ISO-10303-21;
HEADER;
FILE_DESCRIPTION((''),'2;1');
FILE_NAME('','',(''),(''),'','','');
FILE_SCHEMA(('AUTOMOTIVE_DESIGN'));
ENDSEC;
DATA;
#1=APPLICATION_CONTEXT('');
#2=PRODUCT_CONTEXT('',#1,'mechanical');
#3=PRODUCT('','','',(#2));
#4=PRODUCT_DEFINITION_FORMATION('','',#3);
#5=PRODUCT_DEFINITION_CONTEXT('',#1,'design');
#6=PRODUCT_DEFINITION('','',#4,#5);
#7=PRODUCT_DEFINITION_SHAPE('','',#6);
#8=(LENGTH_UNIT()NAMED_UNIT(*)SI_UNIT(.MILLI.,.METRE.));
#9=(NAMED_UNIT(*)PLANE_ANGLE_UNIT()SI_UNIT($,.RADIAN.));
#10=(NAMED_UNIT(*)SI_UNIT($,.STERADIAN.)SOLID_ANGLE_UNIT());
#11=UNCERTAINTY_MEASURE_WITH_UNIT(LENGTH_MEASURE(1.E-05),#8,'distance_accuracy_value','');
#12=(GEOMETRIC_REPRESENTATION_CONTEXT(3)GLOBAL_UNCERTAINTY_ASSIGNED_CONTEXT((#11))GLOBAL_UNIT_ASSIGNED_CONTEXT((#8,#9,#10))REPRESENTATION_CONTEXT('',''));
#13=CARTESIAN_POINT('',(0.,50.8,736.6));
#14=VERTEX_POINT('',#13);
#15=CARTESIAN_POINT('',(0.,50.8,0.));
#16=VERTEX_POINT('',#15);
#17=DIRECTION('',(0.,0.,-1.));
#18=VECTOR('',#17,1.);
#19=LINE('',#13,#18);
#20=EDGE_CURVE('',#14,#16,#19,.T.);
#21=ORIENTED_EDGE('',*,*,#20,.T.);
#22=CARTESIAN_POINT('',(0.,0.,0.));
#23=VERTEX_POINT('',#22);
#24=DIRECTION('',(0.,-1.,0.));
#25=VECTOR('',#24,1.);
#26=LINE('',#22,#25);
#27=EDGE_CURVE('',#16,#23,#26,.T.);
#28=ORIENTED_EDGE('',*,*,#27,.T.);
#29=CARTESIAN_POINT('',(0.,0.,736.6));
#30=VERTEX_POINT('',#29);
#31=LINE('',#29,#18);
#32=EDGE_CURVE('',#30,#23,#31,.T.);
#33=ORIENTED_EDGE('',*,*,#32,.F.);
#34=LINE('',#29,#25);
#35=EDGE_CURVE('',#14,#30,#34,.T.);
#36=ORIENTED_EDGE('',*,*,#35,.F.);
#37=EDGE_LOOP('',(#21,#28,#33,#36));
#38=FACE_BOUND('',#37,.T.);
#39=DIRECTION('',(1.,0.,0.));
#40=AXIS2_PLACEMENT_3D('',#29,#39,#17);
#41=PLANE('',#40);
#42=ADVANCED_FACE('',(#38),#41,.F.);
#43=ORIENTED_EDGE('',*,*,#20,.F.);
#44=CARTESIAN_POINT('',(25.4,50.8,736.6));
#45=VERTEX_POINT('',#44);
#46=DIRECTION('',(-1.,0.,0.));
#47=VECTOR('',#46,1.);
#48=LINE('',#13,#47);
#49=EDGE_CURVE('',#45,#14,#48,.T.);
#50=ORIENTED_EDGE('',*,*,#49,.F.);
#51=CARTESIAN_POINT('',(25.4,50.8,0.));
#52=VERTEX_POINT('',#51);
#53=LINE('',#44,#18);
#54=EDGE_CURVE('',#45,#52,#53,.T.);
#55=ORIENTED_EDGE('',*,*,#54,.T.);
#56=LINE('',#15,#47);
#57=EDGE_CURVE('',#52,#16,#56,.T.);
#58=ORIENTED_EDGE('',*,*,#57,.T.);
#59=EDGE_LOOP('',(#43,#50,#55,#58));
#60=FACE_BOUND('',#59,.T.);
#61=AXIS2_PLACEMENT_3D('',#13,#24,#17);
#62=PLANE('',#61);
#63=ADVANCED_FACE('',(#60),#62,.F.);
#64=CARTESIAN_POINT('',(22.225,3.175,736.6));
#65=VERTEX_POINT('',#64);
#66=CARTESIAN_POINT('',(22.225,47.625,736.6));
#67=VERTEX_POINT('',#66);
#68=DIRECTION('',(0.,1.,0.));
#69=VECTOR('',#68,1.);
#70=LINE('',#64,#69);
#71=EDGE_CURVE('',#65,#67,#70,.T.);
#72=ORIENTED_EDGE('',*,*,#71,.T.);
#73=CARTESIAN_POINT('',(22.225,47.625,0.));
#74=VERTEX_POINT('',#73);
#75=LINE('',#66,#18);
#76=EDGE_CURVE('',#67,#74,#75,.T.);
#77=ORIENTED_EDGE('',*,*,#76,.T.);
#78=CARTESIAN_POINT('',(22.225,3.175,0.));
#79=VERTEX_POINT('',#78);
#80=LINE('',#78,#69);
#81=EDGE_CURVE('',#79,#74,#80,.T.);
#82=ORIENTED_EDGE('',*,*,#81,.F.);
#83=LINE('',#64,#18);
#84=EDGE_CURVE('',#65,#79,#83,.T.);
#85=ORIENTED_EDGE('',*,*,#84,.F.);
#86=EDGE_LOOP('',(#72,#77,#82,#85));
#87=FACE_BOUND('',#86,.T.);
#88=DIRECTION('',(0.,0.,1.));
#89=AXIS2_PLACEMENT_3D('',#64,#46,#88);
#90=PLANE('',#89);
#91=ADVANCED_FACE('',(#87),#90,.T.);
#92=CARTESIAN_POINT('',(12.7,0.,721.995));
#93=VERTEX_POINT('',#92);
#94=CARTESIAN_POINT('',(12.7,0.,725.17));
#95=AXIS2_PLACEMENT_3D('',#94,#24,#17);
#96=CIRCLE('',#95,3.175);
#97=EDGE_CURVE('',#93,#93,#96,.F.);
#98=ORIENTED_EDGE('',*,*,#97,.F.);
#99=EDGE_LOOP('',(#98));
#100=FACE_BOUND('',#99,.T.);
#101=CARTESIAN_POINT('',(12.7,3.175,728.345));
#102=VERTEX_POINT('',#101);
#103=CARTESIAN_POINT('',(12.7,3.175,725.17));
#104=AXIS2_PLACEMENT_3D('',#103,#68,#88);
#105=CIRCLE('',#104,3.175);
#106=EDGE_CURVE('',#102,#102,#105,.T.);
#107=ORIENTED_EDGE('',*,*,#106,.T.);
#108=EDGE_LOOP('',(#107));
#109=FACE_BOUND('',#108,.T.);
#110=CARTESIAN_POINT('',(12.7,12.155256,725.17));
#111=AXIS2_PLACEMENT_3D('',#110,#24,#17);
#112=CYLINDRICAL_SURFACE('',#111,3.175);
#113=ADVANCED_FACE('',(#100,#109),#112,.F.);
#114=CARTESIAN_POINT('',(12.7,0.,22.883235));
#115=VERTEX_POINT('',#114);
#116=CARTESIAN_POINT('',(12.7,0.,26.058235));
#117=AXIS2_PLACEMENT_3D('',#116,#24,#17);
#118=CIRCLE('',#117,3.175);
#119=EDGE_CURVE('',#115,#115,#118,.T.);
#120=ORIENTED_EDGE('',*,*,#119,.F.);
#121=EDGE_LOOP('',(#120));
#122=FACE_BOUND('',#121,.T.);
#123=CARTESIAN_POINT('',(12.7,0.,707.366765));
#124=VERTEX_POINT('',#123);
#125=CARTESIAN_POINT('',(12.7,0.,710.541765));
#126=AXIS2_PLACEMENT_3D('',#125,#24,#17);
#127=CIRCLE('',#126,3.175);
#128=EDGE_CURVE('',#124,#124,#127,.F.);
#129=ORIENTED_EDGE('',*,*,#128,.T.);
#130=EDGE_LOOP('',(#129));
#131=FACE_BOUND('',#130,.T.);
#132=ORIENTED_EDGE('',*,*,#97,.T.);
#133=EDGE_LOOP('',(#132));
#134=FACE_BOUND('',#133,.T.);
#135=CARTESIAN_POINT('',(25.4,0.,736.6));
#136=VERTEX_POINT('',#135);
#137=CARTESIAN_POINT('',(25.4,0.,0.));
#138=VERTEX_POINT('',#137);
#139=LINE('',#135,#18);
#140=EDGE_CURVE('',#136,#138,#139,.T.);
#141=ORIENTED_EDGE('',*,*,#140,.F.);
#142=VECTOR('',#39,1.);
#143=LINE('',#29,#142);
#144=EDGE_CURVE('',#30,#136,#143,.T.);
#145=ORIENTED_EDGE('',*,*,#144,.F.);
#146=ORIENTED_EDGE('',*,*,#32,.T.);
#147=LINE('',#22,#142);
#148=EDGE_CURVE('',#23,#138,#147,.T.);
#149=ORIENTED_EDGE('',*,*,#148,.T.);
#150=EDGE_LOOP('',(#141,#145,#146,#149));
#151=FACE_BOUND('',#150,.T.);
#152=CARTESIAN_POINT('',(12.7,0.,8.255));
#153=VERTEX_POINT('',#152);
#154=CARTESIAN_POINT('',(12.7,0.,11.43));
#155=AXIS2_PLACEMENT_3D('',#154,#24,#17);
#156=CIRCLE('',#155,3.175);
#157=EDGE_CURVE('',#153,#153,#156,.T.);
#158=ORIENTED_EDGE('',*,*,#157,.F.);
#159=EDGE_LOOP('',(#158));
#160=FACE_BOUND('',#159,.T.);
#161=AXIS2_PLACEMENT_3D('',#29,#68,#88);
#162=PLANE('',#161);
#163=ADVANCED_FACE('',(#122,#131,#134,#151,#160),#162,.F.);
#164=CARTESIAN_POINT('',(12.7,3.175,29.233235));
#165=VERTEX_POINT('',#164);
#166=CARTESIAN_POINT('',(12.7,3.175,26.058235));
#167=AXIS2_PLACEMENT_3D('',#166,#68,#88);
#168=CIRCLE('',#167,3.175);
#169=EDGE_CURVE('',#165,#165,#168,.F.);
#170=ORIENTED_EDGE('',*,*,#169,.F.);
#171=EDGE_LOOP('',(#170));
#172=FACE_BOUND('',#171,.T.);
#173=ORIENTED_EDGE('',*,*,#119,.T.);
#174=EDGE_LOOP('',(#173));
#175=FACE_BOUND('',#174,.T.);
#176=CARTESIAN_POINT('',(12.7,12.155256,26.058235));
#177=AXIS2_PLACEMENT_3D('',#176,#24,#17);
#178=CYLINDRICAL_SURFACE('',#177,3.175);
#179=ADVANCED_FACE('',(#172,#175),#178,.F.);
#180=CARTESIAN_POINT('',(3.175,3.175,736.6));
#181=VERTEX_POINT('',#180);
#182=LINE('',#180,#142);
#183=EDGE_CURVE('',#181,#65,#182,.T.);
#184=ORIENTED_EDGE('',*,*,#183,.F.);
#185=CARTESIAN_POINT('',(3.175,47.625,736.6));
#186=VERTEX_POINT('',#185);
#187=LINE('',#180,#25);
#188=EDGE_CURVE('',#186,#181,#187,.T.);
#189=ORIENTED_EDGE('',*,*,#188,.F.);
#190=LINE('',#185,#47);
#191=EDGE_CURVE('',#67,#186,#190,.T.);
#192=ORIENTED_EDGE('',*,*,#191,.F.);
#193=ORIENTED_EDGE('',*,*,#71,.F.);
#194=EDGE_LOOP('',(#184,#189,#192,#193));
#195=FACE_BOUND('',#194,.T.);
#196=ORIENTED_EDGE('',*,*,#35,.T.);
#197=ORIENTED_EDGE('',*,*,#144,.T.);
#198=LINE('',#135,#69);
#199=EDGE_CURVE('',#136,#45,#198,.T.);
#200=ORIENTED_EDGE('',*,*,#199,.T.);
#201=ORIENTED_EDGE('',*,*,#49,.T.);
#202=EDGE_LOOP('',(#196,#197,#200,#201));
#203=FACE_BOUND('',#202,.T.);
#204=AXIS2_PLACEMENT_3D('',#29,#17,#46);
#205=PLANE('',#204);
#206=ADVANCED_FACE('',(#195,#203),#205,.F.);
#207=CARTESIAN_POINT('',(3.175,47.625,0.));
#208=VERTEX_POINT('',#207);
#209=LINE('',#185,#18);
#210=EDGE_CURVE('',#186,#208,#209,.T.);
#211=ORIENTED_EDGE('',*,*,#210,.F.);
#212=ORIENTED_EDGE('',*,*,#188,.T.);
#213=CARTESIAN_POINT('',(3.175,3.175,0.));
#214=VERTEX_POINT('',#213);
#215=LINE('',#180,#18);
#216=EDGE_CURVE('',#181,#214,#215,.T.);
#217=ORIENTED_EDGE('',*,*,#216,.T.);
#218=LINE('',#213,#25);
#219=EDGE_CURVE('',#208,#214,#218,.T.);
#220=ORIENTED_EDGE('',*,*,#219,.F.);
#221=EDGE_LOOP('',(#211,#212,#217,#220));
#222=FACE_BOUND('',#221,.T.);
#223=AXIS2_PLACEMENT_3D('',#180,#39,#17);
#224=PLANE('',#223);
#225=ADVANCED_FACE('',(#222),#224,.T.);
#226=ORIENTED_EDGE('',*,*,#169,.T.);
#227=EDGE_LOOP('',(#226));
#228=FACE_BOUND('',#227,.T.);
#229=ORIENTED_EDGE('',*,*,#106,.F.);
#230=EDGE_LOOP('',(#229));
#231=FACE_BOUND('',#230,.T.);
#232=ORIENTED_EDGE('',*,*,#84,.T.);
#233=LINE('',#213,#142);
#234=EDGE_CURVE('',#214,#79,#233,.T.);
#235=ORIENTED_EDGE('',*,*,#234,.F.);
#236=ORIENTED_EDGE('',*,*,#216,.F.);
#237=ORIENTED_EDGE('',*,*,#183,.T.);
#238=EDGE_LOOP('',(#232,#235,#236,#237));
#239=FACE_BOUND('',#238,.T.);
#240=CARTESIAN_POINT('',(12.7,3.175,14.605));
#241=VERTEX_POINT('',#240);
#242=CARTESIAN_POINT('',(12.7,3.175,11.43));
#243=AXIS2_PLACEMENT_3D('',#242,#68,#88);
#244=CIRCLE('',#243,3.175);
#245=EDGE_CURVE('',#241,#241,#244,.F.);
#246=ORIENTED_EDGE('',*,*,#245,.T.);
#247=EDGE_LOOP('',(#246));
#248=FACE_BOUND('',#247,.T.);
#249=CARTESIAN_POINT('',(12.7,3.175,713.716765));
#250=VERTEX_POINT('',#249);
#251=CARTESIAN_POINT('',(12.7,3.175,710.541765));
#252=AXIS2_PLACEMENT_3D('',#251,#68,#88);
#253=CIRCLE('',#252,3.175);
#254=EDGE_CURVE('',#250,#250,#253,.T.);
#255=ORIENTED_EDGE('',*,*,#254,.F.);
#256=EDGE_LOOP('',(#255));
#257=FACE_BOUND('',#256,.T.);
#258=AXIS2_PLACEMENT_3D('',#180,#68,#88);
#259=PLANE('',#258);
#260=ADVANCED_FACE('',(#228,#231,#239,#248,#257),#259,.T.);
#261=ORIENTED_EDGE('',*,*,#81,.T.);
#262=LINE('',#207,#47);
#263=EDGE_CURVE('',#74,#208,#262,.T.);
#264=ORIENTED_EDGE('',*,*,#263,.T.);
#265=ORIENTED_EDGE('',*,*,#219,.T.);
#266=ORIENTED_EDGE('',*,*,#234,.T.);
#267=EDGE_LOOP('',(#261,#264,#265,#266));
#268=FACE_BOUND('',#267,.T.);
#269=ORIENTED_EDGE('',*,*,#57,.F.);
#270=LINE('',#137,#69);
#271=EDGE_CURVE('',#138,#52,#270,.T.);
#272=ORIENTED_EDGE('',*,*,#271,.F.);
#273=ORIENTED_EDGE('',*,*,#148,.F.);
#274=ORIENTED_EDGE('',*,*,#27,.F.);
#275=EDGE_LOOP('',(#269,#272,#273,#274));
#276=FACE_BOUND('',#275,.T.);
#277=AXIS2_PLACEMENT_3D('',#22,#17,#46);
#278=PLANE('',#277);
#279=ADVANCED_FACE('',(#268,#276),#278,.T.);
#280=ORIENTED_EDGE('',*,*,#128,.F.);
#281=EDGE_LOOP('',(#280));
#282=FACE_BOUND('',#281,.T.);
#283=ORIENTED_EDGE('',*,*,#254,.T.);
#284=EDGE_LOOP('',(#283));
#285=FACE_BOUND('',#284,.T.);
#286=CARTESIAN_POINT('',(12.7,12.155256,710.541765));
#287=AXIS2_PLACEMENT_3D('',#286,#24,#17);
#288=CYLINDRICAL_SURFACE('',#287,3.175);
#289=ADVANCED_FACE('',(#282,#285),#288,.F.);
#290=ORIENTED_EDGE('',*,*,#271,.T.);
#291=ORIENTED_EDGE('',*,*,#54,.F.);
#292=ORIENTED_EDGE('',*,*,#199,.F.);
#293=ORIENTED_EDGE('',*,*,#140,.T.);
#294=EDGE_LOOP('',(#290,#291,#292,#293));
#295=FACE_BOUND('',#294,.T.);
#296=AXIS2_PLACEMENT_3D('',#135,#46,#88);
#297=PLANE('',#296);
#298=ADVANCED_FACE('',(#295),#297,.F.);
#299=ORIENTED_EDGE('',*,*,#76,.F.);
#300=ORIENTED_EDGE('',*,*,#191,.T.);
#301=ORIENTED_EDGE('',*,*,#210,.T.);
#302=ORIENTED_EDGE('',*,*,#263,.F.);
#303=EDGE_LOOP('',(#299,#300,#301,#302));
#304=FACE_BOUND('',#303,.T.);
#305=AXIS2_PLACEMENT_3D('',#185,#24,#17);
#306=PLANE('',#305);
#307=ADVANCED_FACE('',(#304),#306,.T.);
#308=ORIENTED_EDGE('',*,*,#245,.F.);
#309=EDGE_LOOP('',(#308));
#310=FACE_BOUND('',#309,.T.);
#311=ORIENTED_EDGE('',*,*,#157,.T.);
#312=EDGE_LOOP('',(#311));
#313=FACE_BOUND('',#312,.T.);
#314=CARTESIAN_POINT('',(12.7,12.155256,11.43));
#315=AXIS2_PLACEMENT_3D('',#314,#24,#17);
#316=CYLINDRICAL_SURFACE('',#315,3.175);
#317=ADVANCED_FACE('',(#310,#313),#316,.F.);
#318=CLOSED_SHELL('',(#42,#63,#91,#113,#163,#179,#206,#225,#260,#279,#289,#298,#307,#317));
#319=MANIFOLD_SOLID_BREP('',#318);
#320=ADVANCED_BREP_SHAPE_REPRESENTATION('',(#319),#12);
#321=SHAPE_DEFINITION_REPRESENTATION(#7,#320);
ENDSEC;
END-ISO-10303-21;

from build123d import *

# Parameters (mm, degrees)
SKETCH1_W           = 25.4
SKETCH1_H           = 50.8
SKETCH1_W_2         = 19.05
SKETCH1_H_2         = 44.45
BOSS_EXTRUDE1_DEPTH = 736.6
SKETCH4_R           = 3.175
CUT_EXTRUDE1_DEPTH  = 3.175


with BuildPart() as part:
    # Sketch1 → Boss-Extrude1 (new body)
    with BuildSketch(Plane.XY):
        with Locations((12.7, 25.4)):
            Rectangle(SKETCH1_W, SKETCH1_H)
        with Locations((12.7, 25.4)):
            Rectangle(SKETCH1_W_2, SKETCH1_H_2, mode=Mode.SUBTRACT)
    extrude(amount=BOSS_EXTRUDE1_DEPTH)

    # Sketch4 → Cut-Extrude1 (cut)
    with BuildSketch(Plane.XZ):
        with Locations((12.7, 710.541764528)):
            Circle(SKETCH4_R)
        with Locations((12.7, 725.17)):
            Circle(SKETCH4_R)
        with Locations((12.7, 11.43)):
            Circle(SKETCH4_R)
        with Locations((12.7, 26.058235472)):
            Circle(SKETCH4_R)
    extrude(amount=-CUT_EXTRUDE1_DEPTH, mode=Mode.SUBTRACT)


solid = part.part
